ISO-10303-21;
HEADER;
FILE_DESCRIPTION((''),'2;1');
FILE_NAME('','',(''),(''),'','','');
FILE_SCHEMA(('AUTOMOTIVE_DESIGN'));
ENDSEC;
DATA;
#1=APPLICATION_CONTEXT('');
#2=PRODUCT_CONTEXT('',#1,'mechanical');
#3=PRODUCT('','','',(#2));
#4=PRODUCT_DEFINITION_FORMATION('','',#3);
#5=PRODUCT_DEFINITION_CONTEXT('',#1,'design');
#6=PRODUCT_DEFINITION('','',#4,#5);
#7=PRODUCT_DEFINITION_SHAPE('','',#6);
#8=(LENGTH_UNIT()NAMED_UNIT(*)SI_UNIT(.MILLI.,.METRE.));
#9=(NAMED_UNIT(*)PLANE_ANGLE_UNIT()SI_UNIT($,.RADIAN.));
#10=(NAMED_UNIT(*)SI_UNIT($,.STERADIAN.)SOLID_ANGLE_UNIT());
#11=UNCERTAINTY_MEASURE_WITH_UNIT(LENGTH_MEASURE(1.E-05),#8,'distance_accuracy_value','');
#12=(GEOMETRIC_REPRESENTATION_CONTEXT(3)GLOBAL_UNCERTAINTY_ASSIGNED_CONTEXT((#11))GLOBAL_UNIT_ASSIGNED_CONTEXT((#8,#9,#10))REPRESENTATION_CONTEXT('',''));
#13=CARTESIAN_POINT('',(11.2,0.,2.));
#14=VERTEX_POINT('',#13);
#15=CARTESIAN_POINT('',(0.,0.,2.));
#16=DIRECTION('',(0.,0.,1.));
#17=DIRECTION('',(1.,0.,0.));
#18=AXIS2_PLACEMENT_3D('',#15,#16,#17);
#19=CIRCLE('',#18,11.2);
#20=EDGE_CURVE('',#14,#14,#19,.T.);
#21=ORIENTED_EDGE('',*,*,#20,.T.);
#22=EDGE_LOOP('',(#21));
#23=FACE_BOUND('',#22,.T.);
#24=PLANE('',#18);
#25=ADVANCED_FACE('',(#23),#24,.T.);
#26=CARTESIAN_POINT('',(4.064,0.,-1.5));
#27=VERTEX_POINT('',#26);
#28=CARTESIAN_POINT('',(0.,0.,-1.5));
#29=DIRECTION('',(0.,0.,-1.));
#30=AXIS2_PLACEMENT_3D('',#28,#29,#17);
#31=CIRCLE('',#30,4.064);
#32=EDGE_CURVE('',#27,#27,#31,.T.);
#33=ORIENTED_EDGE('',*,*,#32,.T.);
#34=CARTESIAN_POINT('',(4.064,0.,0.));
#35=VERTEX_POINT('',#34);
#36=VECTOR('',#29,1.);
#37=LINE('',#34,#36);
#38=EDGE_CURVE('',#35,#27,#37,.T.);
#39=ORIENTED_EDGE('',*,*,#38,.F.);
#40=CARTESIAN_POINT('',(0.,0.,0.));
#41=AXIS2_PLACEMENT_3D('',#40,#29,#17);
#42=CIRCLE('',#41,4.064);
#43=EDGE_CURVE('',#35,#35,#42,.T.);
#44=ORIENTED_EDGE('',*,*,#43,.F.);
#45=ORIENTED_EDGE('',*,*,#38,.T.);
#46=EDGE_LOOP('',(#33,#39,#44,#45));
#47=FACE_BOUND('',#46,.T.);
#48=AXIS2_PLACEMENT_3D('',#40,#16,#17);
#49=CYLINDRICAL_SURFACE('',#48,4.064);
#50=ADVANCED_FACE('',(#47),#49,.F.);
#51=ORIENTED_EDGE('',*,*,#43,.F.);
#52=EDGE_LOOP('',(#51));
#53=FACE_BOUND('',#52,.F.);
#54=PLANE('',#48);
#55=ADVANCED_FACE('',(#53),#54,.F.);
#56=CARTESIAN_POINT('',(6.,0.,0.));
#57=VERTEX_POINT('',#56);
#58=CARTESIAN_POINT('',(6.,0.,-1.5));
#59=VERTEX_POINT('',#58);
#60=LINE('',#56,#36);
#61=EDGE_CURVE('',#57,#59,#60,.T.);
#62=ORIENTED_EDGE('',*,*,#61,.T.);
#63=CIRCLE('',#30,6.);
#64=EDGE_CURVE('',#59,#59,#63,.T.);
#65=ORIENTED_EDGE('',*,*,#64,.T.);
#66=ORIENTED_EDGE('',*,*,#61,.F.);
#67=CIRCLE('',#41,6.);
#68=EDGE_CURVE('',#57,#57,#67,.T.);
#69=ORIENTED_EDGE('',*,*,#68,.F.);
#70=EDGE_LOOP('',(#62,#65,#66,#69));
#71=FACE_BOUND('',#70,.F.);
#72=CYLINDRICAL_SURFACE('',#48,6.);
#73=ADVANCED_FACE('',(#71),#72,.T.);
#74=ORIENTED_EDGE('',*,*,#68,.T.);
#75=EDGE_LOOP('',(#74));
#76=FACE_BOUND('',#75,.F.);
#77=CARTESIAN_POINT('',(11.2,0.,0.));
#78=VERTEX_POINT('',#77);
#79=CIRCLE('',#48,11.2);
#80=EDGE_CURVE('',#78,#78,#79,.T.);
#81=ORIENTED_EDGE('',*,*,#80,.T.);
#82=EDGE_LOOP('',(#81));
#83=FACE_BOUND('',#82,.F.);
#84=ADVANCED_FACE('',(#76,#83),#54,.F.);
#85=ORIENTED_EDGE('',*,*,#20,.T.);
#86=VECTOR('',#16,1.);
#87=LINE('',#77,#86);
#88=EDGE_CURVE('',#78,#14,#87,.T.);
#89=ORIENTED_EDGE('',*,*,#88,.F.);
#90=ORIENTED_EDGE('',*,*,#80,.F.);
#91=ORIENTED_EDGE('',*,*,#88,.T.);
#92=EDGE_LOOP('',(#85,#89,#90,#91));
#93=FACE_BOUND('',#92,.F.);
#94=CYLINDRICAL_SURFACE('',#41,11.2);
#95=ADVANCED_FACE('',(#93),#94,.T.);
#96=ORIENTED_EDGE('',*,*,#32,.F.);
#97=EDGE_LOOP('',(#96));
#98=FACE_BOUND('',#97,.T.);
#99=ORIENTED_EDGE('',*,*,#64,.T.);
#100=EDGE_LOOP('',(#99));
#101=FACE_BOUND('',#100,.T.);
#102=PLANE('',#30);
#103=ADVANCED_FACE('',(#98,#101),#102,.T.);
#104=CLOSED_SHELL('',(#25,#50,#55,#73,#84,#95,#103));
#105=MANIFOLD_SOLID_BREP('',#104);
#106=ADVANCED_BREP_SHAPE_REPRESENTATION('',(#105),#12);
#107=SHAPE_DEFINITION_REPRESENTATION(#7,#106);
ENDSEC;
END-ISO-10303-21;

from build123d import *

# Parameters (mm, degrees)
F0_R     = 11.2
F1_DEPTH = 2
F2_R     = 6
F2_R_2   = 4.064
F3_DEPTH = 1.5


with BuildPart() as f1:
    # F0 (on Top) → F1 (new body)
    with BuildSketch(Plane.XY):
        Circle(F0_R)
    extrude(amount=F1_DEPTH)

    # F2 (on face) → F3 (join)
    with BuildSketch(Plane(origin=(0, 0, 0), x_dir=(1, 0, 0), z_dir=(0, 0, -1))):
        Circle(F2_R)
        Circle(F2_R_2, mode=Mode.SUBTRACT)
    extrude(amount=F3_DEPTH)


solid = f1.part
